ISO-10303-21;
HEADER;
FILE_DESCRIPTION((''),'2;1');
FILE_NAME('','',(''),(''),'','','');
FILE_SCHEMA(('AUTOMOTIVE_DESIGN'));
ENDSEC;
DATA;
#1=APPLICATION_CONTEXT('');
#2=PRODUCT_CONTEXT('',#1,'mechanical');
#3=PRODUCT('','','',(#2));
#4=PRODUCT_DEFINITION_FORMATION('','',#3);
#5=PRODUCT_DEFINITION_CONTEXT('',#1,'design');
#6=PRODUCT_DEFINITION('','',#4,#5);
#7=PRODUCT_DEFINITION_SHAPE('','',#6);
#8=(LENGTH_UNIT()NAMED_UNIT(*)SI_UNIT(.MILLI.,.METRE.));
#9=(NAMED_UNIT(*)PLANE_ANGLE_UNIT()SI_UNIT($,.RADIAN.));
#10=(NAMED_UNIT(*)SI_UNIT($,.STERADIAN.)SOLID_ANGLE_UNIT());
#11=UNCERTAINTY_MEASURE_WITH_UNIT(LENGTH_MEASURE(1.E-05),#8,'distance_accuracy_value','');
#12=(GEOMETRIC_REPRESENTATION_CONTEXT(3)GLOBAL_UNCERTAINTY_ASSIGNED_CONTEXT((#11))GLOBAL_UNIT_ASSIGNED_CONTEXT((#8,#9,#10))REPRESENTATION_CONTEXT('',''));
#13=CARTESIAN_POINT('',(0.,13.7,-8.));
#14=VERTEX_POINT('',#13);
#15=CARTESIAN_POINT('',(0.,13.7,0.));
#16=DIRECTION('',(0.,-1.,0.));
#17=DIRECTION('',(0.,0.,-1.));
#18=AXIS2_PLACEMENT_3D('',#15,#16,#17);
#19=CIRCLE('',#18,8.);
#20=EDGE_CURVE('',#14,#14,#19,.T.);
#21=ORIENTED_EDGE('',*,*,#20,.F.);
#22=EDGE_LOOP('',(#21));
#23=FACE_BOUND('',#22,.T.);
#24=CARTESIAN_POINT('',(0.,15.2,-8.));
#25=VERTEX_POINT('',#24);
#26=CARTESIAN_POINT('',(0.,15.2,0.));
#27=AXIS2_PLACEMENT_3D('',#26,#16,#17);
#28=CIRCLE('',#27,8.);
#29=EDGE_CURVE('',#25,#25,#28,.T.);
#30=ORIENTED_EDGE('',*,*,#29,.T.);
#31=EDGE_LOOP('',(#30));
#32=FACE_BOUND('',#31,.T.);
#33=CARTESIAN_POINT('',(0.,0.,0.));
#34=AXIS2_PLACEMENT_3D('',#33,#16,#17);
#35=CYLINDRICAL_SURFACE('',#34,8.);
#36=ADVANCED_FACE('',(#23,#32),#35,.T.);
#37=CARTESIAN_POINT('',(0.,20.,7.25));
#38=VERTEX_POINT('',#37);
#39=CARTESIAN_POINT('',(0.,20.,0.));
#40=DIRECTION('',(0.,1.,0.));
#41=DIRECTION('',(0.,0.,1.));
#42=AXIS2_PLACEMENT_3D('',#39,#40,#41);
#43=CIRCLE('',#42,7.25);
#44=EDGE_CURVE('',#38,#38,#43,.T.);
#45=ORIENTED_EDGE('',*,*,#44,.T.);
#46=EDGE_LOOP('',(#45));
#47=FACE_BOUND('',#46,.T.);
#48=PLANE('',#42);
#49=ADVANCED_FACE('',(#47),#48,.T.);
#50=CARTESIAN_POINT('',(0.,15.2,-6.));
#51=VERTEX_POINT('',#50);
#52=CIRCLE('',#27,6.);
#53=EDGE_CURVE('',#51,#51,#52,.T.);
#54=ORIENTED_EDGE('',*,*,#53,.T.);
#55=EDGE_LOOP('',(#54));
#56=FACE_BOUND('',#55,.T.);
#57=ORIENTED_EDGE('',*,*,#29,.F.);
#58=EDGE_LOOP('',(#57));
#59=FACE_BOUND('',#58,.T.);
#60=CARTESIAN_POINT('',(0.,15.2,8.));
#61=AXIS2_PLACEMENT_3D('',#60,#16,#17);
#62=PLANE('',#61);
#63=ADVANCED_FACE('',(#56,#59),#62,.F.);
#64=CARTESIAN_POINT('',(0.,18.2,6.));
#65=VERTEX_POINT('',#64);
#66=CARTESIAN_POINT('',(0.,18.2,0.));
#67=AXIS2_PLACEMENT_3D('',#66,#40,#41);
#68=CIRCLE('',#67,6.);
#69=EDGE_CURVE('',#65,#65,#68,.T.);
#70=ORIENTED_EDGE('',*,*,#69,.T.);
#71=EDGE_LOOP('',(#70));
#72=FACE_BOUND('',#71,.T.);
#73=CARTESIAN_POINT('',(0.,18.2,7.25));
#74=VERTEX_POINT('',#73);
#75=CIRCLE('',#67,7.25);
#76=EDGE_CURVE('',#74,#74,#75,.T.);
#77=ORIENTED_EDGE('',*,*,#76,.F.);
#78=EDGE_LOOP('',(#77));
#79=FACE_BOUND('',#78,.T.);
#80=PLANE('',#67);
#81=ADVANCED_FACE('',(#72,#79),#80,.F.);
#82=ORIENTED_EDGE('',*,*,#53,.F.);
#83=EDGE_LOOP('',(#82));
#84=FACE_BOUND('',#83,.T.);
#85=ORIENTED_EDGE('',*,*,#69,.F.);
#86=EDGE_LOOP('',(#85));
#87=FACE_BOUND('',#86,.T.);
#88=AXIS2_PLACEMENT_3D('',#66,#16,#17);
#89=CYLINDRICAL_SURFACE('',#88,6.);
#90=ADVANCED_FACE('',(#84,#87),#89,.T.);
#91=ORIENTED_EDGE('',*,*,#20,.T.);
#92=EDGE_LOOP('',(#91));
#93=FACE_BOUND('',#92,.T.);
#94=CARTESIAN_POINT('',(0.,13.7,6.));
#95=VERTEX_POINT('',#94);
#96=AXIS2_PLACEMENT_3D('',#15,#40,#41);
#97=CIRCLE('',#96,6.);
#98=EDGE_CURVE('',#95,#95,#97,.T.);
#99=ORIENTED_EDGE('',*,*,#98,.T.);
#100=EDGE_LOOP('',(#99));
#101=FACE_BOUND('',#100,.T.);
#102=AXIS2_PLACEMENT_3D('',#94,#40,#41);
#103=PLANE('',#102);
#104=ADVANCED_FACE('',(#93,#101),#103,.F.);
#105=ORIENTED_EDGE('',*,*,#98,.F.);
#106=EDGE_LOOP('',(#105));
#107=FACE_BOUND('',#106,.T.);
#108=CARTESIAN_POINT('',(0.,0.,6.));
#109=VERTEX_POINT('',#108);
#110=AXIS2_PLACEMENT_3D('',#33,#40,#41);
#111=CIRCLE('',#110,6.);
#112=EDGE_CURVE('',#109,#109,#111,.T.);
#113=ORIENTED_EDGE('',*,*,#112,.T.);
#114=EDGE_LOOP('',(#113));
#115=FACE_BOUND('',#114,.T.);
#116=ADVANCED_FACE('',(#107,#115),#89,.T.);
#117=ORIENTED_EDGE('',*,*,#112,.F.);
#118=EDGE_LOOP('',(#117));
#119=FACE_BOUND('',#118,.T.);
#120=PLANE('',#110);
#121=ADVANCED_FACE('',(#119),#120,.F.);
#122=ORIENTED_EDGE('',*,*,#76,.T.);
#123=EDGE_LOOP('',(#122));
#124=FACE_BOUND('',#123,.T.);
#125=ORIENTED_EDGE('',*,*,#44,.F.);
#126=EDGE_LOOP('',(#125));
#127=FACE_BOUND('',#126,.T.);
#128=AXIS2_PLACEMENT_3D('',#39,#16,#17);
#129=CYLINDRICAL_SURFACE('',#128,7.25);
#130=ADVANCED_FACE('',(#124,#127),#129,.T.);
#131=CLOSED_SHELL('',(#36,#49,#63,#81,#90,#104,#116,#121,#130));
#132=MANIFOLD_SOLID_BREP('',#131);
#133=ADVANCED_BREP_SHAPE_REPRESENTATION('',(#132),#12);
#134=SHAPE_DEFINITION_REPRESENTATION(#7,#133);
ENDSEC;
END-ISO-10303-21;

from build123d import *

# Parameters (mm, degrees)
SKETCH_1_R      = 6
EXTRUDE_1_DEPTH = 18.2
SKETCH_2_R      = 7.25
EXTRUDE_2_DEPTH = 1.8
SKETCH_3_W      = 2
SKETCH_3_H      = 1.5


with BuildPart() as part:
    # 草图1 → 凸台-拉伸1 (new body)
    with BuildSketch(Plane(origin=(0, 0, 0), x_dir=(1, 0, 0), z_dir=(0, 1, 0))):
        with Locations(Location((0, 0, 0), (0, 0, 270))):
            Circle(SKETCH_1_R)
    extrude(amount=EXTRUDE_1_DEPTH)

    # 草图2 → 凸台-拉伸2 (add)
    with BuildSketch(Plane(origin=(0, 18.2, 0), x_dir=(1, 0, 0), z_dir=(0, 1, 0))):
        with Locations(Location((0, 0, 0), (0, 0, 270))):
            Circle(SKETCH_2_R)
    extrude(amount=EXTRUDE_2_DEPTH)

    # 草图3 → 旋转1 (revolve)
    with BuildSketch(Plane(origin=(0, 0, 0), x_dir=(0, 0, -1), z_dir=(1, 0, 0)), mode=Mode.PRIVATE) as revolve_1_sk:
        with Locations((-7, 14.45)):
            Rectangle(SKETCH_3_W, SKETCH_3_H)
    revolve(revolve_1_sk.sketch.rotate(Axis((0, 0, 0), (0, 1, 0)), 180), axis=Axis((0, 0, 0), (0, 1, 0)))


solid = part.part
